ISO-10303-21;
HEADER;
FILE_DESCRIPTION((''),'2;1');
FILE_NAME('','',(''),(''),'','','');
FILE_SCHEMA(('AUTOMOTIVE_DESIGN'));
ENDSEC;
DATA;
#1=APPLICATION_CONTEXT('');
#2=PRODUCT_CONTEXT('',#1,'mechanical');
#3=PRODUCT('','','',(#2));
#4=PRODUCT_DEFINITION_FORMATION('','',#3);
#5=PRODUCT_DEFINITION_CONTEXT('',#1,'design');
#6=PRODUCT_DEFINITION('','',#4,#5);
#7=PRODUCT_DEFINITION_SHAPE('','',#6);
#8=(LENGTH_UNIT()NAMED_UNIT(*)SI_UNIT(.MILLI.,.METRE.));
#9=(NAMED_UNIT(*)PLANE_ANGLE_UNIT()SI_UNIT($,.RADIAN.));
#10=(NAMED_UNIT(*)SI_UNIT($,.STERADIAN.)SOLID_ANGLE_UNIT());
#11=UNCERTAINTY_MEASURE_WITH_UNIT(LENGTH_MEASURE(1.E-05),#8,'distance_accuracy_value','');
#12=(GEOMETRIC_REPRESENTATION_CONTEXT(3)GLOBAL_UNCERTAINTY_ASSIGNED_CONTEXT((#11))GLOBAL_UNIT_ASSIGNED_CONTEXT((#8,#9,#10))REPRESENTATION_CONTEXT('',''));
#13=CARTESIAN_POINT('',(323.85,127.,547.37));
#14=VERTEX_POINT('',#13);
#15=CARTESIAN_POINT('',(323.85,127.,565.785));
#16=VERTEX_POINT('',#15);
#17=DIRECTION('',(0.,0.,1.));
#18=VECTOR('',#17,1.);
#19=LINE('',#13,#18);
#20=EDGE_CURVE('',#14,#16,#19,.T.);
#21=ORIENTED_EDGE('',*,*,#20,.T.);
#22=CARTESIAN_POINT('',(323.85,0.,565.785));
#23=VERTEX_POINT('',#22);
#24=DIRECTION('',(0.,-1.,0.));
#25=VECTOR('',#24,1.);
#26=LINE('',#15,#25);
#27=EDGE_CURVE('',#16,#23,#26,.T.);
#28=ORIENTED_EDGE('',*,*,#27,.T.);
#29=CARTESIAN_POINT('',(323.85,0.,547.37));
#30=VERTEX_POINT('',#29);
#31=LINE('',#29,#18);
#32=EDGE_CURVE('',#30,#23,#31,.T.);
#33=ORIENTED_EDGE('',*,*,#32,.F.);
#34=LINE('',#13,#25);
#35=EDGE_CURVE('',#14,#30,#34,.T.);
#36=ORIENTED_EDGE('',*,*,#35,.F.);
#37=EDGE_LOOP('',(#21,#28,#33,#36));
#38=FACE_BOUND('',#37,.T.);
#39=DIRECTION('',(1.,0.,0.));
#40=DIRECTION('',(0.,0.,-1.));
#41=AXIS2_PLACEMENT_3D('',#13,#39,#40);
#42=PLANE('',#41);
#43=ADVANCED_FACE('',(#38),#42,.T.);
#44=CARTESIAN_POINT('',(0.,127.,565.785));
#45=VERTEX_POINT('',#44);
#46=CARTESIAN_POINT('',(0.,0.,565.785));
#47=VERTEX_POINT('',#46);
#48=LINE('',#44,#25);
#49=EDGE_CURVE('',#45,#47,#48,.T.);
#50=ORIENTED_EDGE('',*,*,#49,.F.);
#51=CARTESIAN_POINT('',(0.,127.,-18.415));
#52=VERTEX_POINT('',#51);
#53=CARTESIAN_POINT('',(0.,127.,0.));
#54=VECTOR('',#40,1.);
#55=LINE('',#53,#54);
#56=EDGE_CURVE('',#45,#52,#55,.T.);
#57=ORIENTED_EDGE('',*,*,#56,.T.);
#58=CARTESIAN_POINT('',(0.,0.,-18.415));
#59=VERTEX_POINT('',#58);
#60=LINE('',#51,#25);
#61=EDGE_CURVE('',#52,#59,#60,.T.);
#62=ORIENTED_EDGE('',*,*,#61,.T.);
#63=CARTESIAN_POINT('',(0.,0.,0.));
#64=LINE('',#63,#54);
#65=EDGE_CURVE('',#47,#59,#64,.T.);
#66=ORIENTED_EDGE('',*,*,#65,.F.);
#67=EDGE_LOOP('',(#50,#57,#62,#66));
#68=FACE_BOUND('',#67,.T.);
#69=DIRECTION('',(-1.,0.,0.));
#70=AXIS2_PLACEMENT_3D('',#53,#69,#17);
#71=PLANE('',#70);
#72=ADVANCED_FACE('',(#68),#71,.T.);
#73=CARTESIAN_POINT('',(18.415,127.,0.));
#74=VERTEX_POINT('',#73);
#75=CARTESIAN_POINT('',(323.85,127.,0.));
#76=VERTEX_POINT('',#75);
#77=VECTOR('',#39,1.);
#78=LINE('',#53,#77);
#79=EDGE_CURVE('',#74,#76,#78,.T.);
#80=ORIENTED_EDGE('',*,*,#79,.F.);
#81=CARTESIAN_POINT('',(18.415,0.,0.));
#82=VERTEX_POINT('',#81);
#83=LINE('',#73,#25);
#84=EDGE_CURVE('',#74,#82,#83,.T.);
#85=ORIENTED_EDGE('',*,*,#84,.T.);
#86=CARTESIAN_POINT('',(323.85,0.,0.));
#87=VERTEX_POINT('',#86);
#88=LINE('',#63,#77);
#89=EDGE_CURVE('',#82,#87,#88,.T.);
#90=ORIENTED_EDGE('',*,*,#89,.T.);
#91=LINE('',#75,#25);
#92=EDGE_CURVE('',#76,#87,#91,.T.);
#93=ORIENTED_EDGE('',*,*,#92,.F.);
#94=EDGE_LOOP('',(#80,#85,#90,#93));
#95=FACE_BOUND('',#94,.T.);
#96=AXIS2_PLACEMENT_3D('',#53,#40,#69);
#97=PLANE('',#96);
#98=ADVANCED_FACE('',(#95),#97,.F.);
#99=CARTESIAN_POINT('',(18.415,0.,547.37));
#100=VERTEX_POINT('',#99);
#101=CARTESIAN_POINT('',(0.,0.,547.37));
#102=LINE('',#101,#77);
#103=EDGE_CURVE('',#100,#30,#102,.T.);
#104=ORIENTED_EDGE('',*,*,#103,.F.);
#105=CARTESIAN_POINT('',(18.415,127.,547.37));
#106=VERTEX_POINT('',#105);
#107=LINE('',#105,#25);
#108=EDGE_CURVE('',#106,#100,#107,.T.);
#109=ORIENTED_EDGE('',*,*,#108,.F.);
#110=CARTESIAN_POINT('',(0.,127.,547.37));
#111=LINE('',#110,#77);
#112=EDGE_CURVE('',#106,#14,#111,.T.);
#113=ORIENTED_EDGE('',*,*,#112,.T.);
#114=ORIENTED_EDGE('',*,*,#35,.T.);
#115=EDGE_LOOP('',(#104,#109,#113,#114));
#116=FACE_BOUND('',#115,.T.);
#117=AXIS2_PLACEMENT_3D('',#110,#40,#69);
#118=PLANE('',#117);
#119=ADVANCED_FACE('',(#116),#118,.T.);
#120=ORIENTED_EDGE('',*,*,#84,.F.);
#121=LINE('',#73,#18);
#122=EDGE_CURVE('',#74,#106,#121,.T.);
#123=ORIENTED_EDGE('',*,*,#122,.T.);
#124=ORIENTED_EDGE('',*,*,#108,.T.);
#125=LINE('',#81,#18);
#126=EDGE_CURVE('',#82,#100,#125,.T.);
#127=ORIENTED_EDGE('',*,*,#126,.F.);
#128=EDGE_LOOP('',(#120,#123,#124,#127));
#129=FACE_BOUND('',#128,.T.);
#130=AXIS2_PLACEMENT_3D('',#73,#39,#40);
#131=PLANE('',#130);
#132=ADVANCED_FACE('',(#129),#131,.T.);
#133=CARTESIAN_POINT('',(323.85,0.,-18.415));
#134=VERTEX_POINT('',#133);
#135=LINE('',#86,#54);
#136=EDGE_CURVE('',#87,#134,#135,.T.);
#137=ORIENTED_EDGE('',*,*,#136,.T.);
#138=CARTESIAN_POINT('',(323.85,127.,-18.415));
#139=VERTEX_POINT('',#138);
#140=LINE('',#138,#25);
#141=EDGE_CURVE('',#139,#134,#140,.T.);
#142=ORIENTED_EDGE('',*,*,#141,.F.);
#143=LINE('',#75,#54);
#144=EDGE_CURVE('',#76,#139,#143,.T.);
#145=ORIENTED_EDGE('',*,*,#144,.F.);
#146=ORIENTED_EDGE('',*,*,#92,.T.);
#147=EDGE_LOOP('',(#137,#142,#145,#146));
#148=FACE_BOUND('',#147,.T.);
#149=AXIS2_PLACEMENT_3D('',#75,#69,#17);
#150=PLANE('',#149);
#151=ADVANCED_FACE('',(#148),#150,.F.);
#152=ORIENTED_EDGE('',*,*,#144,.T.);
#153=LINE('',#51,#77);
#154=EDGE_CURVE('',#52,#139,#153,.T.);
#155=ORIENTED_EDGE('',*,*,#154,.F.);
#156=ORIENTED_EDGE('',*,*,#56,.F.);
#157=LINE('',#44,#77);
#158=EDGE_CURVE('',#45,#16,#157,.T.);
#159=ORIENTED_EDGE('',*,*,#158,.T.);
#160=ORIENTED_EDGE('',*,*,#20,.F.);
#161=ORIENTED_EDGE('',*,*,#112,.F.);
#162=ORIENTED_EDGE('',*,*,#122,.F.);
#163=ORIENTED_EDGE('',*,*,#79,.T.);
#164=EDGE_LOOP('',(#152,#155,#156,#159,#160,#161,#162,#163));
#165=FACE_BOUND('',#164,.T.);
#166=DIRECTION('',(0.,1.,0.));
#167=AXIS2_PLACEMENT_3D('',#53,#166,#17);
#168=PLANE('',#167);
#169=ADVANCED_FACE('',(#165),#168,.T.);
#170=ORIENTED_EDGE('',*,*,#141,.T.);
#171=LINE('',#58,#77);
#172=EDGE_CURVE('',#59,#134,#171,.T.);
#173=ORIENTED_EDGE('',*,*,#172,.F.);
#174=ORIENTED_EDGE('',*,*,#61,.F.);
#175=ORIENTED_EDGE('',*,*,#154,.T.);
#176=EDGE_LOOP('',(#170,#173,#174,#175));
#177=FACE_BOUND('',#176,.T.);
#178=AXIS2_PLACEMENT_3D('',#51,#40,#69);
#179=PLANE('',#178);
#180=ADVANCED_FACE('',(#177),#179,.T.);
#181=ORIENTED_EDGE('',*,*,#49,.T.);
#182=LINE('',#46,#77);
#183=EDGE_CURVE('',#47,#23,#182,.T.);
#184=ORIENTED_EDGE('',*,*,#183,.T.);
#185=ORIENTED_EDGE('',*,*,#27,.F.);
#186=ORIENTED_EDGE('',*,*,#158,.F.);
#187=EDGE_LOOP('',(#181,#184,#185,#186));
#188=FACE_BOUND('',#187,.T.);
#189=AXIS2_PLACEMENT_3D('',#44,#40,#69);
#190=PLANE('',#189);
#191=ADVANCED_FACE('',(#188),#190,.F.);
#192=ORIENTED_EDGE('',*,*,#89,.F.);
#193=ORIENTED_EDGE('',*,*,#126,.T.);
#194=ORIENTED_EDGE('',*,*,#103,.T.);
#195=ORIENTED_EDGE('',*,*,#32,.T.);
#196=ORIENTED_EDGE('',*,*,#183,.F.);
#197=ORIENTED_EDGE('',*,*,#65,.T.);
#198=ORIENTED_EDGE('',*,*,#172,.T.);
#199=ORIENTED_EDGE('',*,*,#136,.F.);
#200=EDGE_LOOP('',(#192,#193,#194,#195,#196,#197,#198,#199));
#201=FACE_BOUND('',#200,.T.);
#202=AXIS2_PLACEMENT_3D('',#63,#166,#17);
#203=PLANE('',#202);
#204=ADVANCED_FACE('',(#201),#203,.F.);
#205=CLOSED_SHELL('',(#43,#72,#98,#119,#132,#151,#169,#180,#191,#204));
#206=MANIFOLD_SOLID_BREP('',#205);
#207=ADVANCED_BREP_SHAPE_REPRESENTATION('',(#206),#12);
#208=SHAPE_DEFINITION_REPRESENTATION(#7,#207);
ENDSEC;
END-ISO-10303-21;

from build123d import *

# Parameters (mm, degrees)
BOSS_EXTRUDE1_DEPTH = 127


with BuildPart() as part:
    # Sketch1 → Boss-Extrude1 (new body)
    with BuildSketch(Plane(origin=(0, 0, 0), x_dir=(1, 0, 0), z_dir=(0, 1, 0))):
        Polygon((0, 18.415), (0, -565.785), (323.85, -565.785), (323.85, -547.37), (18.415, -547.37), (18.415, 0), (323.85, 0), (323.85, 18.415), align=None)
    extrude(amount=BOSS_EXTRUDE1_DEPTH)


solid = part.part
